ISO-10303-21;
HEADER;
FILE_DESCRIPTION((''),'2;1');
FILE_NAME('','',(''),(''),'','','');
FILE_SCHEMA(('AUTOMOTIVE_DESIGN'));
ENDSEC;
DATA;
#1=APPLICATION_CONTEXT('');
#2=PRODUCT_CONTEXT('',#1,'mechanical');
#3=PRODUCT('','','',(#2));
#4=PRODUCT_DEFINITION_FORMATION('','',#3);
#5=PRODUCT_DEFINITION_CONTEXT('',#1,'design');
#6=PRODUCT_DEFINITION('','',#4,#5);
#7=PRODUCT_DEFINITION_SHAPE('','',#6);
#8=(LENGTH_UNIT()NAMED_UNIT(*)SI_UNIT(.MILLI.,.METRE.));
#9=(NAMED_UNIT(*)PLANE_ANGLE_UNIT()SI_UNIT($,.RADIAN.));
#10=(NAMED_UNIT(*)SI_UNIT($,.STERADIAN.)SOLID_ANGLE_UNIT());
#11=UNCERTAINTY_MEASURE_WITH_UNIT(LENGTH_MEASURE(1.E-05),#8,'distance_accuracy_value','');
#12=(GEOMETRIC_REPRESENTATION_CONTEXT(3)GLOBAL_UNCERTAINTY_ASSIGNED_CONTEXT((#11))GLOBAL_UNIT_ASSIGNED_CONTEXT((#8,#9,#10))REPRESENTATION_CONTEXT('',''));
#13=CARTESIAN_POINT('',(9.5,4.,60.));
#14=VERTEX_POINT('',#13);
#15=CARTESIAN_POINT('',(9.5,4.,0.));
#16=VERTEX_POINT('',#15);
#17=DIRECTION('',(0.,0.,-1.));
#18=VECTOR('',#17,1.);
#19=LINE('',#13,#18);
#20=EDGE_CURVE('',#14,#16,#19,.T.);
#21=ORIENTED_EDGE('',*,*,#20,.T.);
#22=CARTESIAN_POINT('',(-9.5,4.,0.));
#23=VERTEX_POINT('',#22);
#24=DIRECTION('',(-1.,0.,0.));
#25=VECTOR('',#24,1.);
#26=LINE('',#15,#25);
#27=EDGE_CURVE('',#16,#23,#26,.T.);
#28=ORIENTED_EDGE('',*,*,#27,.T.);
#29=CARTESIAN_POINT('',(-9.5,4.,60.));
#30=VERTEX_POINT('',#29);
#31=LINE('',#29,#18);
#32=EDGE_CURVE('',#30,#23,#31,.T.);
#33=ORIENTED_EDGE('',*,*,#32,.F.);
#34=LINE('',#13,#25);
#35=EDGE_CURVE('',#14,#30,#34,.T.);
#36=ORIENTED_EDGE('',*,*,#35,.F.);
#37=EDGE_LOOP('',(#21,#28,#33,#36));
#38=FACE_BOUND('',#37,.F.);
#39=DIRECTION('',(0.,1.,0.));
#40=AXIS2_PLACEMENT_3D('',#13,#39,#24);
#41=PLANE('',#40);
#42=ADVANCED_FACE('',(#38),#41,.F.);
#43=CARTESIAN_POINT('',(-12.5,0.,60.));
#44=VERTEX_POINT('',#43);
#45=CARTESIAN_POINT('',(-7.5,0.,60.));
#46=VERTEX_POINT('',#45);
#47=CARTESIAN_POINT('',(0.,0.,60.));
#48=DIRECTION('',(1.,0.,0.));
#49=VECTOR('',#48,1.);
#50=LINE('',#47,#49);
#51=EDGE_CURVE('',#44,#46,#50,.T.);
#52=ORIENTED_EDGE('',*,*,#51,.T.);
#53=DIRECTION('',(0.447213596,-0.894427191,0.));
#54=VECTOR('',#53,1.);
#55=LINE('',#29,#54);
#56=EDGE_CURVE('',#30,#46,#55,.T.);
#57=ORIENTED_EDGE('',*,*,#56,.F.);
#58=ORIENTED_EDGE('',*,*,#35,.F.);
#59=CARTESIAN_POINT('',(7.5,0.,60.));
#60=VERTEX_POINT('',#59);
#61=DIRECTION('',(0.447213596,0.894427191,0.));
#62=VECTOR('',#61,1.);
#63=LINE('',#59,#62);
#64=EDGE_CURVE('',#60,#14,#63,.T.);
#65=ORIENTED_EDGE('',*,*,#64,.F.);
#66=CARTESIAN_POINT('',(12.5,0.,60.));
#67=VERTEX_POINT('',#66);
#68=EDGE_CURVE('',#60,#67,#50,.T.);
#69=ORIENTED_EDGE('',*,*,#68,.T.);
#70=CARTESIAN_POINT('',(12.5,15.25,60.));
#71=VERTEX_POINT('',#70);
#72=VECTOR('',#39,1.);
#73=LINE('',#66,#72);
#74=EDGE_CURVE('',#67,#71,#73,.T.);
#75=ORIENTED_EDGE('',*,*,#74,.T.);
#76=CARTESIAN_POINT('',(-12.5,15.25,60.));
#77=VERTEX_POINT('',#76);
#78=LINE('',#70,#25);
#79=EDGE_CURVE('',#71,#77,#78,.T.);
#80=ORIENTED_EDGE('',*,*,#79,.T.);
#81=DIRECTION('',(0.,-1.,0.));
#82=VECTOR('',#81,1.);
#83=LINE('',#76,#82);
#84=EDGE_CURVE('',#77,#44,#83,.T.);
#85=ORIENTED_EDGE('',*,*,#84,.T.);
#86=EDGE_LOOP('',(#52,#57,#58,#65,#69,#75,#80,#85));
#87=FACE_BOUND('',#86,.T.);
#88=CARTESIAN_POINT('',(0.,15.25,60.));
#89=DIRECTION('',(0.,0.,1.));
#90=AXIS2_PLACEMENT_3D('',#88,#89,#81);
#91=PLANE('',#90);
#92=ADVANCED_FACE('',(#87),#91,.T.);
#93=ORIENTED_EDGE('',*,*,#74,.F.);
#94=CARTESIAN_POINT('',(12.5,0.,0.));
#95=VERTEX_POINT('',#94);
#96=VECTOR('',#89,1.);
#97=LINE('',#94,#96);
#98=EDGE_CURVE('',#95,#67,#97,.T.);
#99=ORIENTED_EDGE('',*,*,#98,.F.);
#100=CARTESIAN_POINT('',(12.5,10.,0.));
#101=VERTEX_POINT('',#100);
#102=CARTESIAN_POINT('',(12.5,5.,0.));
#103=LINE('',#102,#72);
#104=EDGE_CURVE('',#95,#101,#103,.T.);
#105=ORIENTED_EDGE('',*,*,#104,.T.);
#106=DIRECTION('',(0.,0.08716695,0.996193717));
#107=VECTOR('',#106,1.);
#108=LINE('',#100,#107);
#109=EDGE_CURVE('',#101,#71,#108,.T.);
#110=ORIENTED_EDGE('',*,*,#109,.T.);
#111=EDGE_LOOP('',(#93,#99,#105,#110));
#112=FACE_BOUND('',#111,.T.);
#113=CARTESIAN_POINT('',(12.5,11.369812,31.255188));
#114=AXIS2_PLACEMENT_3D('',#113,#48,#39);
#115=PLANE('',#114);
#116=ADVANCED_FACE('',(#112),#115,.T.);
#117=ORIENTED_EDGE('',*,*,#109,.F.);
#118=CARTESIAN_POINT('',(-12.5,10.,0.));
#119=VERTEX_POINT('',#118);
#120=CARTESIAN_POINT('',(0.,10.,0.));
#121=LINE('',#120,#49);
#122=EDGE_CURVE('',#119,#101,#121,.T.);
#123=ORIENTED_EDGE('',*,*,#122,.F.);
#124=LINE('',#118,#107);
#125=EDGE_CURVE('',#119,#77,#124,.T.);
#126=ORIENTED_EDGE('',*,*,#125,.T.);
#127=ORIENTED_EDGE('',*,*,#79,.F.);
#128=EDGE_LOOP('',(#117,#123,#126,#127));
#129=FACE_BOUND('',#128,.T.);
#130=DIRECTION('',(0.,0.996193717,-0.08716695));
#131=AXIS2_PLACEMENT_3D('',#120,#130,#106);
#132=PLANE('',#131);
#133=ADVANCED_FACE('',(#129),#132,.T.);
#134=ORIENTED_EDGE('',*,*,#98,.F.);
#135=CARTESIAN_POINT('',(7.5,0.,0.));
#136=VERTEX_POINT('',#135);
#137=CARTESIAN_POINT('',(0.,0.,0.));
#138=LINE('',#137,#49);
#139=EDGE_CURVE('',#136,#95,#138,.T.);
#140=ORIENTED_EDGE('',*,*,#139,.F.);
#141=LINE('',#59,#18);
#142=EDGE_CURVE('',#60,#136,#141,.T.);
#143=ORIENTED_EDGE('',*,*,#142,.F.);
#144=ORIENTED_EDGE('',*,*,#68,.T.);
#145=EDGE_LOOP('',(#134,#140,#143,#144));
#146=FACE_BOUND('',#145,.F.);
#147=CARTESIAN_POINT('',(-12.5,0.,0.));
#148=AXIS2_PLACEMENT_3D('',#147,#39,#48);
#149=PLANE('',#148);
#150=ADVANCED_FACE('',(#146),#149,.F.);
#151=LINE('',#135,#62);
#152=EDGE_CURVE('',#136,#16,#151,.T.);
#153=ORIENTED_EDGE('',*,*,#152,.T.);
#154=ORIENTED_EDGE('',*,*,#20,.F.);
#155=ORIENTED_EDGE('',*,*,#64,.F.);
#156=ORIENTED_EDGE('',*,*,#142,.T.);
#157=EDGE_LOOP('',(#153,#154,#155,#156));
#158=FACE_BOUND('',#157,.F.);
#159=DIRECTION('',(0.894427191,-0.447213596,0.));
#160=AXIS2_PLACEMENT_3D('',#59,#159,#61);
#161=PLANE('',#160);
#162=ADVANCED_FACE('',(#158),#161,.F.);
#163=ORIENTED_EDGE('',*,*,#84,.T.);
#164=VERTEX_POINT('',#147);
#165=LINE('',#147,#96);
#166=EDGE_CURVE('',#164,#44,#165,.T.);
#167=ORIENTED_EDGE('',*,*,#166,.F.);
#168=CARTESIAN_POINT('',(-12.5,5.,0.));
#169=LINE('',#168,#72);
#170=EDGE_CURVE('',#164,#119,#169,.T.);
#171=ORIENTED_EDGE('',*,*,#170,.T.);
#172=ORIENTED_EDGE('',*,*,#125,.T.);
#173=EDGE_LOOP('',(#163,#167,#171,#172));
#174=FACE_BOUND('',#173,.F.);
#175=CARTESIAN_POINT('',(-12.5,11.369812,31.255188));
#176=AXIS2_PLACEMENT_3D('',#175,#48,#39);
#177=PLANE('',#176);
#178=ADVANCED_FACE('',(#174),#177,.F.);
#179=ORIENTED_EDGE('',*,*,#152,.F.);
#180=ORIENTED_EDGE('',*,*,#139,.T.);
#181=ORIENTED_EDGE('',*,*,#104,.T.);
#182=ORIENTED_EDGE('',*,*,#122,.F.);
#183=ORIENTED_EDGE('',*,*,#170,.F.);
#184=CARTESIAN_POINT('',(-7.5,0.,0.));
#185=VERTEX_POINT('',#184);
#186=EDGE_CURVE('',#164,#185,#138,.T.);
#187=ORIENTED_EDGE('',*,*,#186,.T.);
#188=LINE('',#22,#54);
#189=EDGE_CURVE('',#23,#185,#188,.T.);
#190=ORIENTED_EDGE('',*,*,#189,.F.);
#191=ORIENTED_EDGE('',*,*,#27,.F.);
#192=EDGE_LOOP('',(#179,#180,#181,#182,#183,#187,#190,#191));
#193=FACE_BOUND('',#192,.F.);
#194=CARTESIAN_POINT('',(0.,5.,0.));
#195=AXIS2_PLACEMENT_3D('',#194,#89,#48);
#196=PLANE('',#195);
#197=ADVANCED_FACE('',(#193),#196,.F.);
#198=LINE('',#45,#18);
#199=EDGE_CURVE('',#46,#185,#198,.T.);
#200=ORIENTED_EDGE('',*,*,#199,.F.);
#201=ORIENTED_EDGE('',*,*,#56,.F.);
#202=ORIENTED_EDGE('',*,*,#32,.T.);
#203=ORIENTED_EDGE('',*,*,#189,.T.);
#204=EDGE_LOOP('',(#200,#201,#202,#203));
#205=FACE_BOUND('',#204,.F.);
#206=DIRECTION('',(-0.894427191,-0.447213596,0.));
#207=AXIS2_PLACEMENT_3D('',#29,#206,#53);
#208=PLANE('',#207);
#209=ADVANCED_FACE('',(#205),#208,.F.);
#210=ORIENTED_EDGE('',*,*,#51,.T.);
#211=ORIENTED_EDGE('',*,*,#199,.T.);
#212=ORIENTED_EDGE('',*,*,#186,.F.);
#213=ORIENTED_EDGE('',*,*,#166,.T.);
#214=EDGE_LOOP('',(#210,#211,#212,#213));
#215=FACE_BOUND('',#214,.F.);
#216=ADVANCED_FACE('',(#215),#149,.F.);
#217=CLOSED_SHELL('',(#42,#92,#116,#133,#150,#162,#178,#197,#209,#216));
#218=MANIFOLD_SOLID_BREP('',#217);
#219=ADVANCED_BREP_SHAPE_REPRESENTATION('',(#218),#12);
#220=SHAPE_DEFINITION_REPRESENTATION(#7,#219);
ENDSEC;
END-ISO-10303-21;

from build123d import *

# Parameters (mm, degrees)
F2_W     = 25
F2_H     = 10
F3_DEPTH = 60
F5_DEPTH = 12.5
F8_DEPTH = 60


with BuildPart() as f3:
    # F2 (on Top) → F3 (new body)
    with BuildSketch(Plane.XY):
        with Locations((0, 5)):
            Rectangle(F2_W, F2_H)
    extrude(amount=F3_DEPTH)

    # F4 (on Right) → F5 (join, symmetric)
    with BuildSketch(Plane.YZ):
        Polygon((10, 60), (10, 0), (15.25, 60), align=None)
    extrude(amount=F5_DEPTH, both=True)

    # F7 (on face) → F8 (cut, through all)
    with BuildSketch(Plane.XY.offset(60)):
        Polygon((-9.5, 4), (-7.5, 0), (7.5, 0), (9.5, 4), align=None)
    extrude(amount=-F8_DEPTH, mode=Mode.SUBTRACT)


solid = f3.part
